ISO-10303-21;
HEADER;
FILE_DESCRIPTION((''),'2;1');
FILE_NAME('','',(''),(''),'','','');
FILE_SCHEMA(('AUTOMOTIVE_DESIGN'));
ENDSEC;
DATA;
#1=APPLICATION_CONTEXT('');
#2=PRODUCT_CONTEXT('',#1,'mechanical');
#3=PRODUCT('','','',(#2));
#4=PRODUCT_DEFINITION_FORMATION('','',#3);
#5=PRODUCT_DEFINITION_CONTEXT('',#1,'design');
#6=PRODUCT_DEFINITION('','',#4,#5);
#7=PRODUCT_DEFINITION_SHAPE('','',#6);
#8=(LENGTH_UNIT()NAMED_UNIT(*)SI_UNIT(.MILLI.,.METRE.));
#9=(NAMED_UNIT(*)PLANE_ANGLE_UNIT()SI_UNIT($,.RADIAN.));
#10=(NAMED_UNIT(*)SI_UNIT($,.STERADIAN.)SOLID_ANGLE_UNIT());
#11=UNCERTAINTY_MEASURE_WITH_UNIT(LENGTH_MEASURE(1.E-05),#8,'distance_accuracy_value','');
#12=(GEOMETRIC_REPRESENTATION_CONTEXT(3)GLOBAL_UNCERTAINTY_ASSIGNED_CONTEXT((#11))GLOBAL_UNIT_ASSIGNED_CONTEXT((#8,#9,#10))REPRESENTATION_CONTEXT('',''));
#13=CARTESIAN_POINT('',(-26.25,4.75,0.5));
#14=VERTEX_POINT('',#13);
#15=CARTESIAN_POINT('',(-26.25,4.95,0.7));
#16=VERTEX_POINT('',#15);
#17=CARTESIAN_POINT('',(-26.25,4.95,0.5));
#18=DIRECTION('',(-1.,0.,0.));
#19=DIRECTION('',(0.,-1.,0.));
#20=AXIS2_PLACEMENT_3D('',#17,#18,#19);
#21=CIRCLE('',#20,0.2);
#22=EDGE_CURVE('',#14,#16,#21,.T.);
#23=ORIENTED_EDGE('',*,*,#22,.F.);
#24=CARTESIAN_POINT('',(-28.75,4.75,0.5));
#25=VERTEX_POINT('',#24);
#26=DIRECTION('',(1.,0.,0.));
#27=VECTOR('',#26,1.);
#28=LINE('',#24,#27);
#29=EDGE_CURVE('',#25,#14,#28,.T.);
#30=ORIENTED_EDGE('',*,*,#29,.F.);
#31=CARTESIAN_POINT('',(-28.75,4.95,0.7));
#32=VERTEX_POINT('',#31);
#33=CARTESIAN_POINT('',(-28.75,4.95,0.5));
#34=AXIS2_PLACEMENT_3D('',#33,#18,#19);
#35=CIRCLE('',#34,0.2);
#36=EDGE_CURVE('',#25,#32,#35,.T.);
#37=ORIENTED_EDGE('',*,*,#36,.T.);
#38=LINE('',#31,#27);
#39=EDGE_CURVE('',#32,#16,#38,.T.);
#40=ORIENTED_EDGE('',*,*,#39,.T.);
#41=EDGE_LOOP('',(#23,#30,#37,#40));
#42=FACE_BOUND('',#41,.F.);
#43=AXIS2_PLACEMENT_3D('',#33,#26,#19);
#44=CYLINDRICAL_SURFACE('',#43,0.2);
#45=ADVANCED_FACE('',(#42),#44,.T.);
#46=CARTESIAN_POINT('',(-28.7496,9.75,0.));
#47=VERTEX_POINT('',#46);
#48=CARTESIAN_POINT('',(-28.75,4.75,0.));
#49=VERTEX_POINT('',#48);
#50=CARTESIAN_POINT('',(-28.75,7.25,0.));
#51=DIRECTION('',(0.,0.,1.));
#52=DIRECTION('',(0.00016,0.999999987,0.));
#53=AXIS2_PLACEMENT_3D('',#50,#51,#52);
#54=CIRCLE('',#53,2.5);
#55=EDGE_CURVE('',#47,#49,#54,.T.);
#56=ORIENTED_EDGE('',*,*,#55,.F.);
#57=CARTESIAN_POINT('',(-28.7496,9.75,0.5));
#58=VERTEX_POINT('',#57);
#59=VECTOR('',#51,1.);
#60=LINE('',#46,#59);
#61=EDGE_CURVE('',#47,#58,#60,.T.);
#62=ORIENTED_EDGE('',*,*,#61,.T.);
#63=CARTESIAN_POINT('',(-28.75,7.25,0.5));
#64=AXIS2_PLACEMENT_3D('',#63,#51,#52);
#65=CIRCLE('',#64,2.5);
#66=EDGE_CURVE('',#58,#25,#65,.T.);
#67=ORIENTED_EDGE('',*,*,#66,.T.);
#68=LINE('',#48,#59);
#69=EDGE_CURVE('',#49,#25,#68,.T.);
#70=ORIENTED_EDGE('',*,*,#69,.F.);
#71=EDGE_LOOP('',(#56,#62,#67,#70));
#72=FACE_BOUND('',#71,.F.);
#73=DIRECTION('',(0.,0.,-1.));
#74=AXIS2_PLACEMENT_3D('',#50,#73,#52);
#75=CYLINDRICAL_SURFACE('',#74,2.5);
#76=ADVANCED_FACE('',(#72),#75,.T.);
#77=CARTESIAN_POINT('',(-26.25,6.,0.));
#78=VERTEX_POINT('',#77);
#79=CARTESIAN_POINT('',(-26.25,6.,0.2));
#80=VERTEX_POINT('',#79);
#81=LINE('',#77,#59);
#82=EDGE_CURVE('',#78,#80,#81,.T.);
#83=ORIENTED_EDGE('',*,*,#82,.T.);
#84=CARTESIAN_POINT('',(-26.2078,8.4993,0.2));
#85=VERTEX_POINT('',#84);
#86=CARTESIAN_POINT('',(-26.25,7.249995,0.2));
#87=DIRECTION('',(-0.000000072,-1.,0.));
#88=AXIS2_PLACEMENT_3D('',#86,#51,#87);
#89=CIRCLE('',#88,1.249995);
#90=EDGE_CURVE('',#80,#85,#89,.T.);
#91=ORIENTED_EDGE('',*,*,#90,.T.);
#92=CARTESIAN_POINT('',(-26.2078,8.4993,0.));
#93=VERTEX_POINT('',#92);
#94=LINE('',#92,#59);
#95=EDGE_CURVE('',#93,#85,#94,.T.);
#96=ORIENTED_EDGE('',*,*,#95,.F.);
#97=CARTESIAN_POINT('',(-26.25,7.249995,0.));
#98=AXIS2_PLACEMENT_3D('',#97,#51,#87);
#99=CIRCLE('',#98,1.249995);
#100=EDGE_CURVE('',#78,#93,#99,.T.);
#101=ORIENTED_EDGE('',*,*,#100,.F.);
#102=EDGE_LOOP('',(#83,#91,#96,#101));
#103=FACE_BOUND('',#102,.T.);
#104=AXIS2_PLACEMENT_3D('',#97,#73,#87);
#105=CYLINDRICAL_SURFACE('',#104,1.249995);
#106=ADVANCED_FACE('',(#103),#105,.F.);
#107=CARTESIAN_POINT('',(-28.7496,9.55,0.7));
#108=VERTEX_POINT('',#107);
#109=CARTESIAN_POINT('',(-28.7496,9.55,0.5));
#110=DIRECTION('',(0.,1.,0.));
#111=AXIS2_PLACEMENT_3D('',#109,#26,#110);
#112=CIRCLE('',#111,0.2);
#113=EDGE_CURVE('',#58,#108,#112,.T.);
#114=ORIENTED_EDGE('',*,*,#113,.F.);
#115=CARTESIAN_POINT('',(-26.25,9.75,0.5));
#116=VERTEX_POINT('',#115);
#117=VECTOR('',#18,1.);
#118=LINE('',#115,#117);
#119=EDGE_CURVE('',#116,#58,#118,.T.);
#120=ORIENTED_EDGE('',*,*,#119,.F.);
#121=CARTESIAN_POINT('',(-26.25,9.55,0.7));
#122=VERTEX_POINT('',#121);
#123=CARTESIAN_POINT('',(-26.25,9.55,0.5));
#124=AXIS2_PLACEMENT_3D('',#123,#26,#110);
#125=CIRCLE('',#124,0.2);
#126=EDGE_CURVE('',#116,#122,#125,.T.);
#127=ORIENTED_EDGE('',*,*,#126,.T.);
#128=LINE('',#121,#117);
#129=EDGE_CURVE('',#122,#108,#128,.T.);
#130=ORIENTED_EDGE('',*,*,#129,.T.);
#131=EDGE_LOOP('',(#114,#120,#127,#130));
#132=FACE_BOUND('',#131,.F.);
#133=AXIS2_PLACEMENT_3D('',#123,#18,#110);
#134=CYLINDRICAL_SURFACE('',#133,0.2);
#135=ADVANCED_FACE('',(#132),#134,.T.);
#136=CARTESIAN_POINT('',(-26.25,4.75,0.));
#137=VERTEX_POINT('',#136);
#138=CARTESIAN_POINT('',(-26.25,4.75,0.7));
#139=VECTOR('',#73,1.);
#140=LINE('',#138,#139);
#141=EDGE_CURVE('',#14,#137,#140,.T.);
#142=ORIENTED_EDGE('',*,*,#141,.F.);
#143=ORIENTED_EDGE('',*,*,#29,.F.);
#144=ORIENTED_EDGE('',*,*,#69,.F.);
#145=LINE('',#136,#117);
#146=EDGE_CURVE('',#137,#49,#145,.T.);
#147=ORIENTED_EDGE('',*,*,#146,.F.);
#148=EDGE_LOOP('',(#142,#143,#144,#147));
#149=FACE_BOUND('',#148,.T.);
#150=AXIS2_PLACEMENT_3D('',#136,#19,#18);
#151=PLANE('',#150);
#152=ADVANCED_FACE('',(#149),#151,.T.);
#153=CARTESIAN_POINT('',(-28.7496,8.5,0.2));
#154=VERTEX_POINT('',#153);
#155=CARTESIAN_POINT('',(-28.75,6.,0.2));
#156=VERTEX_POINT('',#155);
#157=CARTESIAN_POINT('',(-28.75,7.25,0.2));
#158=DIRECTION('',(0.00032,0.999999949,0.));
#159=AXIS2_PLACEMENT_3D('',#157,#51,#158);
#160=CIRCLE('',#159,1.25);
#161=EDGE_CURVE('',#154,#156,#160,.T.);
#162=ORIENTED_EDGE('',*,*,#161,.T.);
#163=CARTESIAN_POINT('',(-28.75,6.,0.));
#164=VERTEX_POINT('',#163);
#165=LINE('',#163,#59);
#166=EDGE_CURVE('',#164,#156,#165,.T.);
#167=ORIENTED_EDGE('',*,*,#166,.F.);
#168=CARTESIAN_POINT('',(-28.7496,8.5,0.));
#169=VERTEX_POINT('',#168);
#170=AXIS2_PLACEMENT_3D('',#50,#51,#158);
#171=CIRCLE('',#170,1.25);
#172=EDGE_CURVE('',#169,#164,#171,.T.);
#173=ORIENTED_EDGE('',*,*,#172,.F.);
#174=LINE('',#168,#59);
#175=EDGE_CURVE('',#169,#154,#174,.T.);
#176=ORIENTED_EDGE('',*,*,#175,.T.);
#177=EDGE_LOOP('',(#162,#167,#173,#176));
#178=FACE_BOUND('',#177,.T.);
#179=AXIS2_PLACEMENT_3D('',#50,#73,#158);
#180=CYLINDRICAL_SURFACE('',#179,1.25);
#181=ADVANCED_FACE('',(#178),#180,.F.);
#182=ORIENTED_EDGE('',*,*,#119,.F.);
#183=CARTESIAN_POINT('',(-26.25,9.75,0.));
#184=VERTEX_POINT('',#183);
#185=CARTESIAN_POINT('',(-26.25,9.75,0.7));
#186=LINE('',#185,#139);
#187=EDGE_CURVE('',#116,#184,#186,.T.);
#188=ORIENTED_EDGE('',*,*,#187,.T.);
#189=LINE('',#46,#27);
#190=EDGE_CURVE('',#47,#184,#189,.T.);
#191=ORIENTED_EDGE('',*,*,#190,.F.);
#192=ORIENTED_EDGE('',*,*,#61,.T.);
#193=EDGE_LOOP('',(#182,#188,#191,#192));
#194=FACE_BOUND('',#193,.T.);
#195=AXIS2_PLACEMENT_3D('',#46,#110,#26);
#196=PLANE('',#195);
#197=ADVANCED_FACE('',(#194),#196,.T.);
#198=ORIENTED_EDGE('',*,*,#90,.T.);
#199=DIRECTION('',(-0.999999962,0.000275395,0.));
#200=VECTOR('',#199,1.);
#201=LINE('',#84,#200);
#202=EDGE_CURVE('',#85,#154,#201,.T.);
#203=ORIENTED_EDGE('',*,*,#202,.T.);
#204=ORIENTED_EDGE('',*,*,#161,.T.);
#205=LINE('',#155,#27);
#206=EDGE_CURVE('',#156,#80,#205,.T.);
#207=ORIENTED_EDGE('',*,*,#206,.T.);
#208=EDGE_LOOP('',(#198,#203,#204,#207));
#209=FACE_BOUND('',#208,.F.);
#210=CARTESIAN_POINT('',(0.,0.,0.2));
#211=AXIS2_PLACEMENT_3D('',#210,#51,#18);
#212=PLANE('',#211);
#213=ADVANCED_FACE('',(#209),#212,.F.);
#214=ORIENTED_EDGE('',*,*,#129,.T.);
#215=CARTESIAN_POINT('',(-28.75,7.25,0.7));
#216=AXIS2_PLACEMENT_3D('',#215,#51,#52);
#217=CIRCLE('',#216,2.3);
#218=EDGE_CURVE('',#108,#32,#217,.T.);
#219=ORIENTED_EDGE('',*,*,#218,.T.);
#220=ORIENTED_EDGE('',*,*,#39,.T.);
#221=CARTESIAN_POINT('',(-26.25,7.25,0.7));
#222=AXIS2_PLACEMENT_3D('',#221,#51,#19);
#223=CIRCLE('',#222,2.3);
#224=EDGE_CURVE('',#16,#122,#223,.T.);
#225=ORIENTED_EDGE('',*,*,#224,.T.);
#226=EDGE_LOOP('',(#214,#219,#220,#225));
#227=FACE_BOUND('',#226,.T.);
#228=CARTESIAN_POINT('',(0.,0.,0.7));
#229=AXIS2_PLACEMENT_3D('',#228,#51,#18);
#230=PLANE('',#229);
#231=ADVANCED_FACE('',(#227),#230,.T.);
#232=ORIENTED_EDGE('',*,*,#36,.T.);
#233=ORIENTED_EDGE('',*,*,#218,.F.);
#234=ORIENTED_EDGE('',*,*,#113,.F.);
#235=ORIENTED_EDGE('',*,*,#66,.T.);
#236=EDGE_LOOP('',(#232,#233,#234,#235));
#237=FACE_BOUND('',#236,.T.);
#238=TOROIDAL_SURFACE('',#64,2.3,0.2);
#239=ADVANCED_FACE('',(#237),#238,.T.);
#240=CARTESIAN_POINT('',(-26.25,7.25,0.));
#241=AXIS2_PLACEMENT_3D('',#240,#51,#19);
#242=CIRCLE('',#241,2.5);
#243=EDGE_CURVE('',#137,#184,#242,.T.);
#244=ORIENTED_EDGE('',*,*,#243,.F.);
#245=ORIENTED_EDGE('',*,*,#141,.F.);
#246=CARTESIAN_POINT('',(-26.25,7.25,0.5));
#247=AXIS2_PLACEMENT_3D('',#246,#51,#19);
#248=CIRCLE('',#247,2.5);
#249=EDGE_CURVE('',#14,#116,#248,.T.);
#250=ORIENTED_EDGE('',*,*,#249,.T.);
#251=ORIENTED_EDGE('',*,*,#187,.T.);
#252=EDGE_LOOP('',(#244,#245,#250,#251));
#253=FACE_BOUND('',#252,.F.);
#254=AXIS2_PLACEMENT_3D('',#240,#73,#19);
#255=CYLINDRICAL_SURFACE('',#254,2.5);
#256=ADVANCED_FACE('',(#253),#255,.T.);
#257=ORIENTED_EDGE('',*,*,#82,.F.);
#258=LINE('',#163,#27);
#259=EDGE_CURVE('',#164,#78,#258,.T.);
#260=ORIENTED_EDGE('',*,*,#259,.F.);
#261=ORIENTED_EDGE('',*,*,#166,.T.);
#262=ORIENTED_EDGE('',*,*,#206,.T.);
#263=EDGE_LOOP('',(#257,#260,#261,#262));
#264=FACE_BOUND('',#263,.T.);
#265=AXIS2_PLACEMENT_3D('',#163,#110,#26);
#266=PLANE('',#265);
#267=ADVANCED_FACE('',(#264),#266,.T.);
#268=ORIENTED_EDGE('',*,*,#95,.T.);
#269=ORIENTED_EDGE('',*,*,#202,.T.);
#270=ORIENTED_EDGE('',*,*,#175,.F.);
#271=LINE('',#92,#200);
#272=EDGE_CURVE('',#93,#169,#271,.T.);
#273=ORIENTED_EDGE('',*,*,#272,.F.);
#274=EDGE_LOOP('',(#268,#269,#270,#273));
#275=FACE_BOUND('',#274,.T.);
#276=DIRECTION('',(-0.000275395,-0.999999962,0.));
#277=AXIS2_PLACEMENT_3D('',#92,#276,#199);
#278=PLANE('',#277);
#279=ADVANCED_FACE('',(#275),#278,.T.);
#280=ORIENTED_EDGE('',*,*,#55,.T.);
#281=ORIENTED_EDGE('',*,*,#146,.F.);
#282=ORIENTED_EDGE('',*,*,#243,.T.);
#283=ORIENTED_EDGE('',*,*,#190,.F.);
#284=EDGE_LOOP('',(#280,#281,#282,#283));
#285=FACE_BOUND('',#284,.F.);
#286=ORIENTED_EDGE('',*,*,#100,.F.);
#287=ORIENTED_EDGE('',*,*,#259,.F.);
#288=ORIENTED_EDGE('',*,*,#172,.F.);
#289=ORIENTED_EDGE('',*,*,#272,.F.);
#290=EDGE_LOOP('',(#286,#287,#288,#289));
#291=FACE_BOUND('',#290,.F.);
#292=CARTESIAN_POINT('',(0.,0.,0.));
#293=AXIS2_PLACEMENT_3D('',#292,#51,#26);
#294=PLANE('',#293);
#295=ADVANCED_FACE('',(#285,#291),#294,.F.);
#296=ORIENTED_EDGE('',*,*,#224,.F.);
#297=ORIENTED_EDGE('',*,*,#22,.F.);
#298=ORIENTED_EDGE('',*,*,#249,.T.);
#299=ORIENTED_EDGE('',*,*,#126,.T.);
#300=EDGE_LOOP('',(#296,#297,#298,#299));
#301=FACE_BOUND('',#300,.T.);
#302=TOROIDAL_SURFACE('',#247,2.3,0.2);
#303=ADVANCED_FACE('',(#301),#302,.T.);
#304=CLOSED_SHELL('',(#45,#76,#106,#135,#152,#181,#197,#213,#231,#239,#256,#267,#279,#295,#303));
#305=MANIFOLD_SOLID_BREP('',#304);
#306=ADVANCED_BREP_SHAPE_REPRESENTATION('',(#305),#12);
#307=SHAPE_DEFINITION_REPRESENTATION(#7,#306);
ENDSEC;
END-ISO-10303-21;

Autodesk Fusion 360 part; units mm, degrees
sketch "Sketch1" plane through (0, 0, 0) normal (0, 0, 1) x (1, 0, 0)
  line L0 (-30, 13) -> (-30, 5) construction
  line L1 (-25, 13) -> (-25, 5) construction
  line L2 (-32, 6) -> (-22, 6) construction
  line L3 (-28.75, 6) -> (-26.25, 6)
  line L4 (-26.2078, 8.4993) -> (-28.7496, 8.5)
  arc A0 (-26.25, 6) -> (-26.2915, 8.4993) centre (-26.25, 7.25) ccw
  arc A1 (-28.7496, 8.5) -> (-28.75, 6) centre (-28.75, 7.25) ccw
  line L5 (-28.7496, 9.75) -> (-26.25, 9.75)
  line L6 (-26.25, 4.75) -> (-28.75, 4.75)
  arc A2 (-26.25, 4.75) -> (-26.25, 9.75) centre (-26.25, 7.25) ccw
  arc A3 (-28.7496, 9.75) -> (-28.75, 4.75) centre (-28.75, 7.25) ccw
  dimension "d1" = 5
  dimension "d2" = 1.25
  dimension "d3" = 1.25
  dimension "d4" = 5
extrude "Extrude1" add sketch "Sketch1" along normal blind 0.2
sketch "Sketch2" plane through (0, 0, 0.2) normal (0, 0, 1) x (-1, 0, 0)
  arc A0 (28.7496, -8.5) -> (28.75, -6) centre (28.75, -7.25) ccw
  line L0 (28.7496, -8.5) -> (26.2915, -8.4993)
  arc A1 (26.25, -6) -> (26.2915, -8.4993) centre (26.25, -7.25) ccw
  line L1 (26.25, -6) -> (28.75, -6)
  arc A2 (26.25, -4.75) -> (26.25, -9.75) centre (26.25, -7.25) ccw
  line L2 (26.25, -9.75) -> (28.7496, -9.75)
  arc A3 (28.7496, -9.75) -> (28.75, -4.75) centre (28.75, -7.25) ccw
  line L3 (28.75, -4.75) -> (26.25, -4.75)
extrude "Extrude2" add sketch "Sketch2" along normal blind 0.5 contours A0 L0 A1 L1 | A2 L2 A3 L3
fillet "Fillet1" radius 0.2 4 edges at (-27.5, 4.75, 0.7) (-23.75, 7.25, 0.7) (-27.4998, 9.75, 0.7) (-31.25, 7.2502, 0.7)
